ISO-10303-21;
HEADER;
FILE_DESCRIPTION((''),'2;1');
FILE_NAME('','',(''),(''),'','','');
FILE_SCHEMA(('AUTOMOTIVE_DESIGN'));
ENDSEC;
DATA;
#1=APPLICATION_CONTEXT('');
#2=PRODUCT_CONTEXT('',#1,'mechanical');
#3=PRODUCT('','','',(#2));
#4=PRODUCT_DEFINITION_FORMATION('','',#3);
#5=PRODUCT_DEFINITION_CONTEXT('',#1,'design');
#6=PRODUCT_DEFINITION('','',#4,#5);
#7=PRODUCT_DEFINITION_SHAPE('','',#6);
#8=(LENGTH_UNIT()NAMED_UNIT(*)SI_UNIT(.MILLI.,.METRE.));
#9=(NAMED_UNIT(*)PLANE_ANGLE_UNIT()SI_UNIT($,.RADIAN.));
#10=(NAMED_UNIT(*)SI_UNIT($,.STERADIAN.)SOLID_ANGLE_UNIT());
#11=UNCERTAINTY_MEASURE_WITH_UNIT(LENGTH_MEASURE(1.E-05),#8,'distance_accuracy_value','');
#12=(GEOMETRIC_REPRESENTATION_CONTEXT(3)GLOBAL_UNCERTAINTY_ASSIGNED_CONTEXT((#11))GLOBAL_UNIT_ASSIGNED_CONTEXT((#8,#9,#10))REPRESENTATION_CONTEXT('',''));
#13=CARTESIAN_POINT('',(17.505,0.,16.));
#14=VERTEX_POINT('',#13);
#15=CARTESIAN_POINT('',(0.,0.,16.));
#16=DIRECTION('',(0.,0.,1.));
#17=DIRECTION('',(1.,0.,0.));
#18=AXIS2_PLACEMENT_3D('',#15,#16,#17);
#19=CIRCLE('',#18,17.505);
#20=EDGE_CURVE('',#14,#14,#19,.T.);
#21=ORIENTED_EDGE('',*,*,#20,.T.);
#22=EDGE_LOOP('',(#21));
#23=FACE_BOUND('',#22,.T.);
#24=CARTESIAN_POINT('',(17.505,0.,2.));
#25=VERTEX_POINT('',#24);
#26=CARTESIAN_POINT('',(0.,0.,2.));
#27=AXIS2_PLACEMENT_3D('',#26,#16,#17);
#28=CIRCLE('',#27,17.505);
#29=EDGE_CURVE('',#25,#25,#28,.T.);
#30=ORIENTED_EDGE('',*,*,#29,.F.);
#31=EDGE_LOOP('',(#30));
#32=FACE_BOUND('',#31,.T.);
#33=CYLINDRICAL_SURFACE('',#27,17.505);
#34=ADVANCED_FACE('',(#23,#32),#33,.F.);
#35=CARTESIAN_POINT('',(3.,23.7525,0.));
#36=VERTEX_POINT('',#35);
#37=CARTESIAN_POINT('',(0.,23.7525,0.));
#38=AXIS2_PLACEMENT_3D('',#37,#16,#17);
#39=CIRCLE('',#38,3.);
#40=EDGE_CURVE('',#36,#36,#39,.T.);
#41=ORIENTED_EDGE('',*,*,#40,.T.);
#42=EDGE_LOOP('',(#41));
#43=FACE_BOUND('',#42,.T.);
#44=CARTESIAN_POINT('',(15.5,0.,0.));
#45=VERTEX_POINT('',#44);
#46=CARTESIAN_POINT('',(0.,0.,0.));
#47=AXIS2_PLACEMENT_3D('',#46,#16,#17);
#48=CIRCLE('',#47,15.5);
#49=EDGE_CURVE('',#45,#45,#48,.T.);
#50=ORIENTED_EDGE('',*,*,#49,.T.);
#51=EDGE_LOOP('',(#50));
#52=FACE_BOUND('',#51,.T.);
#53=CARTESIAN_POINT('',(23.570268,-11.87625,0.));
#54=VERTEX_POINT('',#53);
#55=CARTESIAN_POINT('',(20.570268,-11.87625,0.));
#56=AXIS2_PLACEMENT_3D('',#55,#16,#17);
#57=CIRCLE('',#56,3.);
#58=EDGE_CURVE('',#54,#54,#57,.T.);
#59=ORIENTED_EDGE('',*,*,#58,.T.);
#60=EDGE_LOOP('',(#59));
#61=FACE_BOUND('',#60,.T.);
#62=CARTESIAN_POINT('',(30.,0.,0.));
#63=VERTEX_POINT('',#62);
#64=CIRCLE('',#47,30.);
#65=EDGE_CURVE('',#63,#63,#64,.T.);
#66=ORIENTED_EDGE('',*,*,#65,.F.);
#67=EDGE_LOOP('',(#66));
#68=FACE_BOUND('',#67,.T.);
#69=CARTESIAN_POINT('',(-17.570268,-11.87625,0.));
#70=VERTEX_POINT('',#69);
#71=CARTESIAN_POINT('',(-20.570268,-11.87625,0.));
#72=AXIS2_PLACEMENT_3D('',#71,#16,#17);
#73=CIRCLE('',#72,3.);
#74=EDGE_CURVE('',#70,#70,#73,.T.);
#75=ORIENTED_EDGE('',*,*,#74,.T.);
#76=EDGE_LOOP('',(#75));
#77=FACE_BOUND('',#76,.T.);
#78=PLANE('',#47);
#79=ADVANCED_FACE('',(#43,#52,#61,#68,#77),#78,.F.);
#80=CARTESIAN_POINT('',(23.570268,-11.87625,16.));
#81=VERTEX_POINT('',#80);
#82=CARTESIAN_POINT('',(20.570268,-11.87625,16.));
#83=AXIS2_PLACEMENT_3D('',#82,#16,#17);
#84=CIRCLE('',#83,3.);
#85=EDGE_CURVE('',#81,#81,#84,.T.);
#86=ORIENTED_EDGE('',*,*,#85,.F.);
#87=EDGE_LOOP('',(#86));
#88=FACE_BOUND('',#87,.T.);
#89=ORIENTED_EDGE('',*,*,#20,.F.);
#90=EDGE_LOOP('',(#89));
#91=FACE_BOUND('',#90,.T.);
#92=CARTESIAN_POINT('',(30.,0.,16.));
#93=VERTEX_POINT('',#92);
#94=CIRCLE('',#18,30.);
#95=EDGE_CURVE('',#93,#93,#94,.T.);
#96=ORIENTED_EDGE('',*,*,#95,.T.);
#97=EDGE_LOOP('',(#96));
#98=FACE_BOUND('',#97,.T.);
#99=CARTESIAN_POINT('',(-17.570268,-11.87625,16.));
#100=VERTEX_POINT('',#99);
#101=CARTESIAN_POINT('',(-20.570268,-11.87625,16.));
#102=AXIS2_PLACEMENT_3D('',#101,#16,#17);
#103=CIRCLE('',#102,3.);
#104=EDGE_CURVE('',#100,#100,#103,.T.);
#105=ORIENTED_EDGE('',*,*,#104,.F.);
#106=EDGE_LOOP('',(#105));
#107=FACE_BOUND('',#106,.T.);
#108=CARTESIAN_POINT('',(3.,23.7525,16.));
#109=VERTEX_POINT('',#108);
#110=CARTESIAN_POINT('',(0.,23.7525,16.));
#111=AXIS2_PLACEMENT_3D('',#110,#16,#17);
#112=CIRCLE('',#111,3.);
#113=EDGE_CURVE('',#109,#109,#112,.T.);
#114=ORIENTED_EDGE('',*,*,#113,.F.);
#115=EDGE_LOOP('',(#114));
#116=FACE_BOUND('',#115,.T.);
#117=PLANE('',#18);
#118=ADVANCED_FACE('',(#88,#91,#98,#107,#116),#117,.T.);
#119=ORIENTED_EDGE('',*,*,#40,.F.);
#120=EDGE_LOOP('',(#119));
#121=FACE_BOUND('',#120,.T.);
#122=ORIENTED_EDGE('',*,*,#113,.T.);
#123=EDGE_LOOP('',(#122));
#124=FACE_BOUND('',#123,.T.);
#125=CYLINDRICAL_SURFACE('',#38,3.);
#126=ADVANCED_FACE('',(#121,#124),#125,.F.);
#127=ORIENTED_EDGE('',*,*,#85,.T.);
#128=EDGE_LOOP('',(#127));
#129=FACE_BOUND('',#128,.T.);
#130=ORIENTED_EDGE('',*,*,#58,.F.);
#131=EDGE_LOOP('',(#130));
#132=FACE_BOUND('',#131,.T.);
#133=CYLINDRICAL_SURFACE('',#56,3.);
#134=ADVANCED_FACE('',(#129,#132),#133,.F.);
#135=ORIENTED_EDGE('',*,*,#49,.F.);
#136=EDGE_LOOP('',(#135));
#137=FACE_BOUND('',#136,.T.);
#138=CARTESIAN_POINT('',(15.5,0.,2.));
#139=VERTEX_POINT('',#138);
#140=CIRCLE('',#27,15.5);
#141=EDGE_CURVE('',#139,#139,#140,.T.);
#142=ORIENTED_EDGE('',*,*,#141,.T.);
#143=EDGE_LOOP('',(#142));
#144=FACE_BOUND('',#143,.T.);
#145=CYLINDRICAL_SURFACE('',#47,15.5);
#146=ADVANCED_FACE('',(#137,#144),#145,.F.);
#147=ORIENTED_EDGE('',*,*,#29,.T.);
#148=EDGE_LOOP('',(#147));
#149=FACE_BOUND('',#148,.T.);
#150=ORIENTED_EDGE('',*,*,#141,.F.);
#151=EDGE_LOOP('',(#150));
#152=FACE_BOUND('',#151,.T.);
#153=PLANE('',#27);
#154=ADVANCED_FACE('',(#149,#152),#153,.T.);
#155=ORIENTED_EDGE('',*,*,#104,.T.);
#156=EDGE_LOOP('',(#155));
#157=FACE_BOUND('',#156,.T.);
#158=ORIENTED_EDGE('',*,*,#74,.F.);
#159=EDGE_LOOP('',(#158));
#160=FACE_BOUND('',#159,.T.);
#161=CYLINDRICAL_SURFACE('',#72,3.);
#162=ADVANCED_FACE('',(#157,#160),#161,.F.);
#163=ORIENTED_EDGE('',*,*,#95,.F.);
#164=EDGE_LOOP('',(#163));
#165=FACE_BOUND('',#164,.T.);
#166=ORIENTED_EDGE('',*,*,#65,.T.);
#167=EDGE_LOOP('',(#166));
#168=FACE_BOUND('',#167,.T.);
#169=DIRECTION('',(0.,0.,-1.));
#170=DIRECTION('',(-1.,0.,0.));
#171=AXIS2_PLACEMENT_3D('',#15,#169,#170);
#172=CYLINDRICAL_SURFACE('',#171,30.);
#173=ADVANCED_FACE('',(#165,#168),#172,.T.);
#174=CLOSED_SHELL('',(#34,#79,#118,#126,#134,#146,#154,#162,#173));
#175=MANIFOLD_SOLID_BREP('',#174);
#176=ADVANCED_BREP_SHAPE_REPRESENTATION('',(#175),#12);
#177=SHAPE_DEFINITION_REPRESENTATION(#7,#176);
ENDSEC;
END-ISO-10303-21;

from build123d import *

# Parameters (mm, degrees)
SKETCH1_R           = 30
BOSS_EXTRUDE1_DEPTH = 16
SKETCH2_R           = 17.505
CUT_EXTRUDE1_DEPTH  = 14
SKETCH4_R           = 15.5
CUT_EXTRUDE2_DEPTH  = 45.676615807
SKETCH5_R           = 3
CUT_EXTRUDE3_DEPTH  = 46.343136195


with BuildPart() as part:
    # Sketch1 → Boss-Extrude1 (new body)
    with BuildSketch(Plane.XY):
        Circle(SKETCH1_R)
    extrude(amount=BOSS_EXTRUDE1_DEPTH)

    # Sketch2 → Cut-Extrude1 (cut)
    with BuildSketch(Plane.XY.offset(16)):
        Circle(SKETCH2_R)
    extrude(amount=-CUT_EXTRUDE1_DEPTH, mode=Mode.SUBTRACT)

    # Sketch4 → Cut-Extrude2 (cut, through all)
    with BuildSketch(Plane.XY.offset(2)):
        Circle(SKETCH4_R)
    extrude(amount=-CUT_EXTRUDE2_DEPTH, mode=Mode.SUBTRACT)

    # Sketch5 → Cut-Extrude3 (cut, through all)
    with BuildSketch(Plane.XY.offset(16)):
        with Locations((0, 23.7525)):
            Circle(SKETCH5_R)
        with Locations((20.570268403, -11.87625)):
            Circle(SKETCH5_R)
        with Locations((-20.570268403, -11.87625)):
            Circle(SKETCH5_R)
    extrude(amount=-CUT_EXTRUDE3_DEPTH, mode=Mode.SUBTRACT)


solid = part.part
